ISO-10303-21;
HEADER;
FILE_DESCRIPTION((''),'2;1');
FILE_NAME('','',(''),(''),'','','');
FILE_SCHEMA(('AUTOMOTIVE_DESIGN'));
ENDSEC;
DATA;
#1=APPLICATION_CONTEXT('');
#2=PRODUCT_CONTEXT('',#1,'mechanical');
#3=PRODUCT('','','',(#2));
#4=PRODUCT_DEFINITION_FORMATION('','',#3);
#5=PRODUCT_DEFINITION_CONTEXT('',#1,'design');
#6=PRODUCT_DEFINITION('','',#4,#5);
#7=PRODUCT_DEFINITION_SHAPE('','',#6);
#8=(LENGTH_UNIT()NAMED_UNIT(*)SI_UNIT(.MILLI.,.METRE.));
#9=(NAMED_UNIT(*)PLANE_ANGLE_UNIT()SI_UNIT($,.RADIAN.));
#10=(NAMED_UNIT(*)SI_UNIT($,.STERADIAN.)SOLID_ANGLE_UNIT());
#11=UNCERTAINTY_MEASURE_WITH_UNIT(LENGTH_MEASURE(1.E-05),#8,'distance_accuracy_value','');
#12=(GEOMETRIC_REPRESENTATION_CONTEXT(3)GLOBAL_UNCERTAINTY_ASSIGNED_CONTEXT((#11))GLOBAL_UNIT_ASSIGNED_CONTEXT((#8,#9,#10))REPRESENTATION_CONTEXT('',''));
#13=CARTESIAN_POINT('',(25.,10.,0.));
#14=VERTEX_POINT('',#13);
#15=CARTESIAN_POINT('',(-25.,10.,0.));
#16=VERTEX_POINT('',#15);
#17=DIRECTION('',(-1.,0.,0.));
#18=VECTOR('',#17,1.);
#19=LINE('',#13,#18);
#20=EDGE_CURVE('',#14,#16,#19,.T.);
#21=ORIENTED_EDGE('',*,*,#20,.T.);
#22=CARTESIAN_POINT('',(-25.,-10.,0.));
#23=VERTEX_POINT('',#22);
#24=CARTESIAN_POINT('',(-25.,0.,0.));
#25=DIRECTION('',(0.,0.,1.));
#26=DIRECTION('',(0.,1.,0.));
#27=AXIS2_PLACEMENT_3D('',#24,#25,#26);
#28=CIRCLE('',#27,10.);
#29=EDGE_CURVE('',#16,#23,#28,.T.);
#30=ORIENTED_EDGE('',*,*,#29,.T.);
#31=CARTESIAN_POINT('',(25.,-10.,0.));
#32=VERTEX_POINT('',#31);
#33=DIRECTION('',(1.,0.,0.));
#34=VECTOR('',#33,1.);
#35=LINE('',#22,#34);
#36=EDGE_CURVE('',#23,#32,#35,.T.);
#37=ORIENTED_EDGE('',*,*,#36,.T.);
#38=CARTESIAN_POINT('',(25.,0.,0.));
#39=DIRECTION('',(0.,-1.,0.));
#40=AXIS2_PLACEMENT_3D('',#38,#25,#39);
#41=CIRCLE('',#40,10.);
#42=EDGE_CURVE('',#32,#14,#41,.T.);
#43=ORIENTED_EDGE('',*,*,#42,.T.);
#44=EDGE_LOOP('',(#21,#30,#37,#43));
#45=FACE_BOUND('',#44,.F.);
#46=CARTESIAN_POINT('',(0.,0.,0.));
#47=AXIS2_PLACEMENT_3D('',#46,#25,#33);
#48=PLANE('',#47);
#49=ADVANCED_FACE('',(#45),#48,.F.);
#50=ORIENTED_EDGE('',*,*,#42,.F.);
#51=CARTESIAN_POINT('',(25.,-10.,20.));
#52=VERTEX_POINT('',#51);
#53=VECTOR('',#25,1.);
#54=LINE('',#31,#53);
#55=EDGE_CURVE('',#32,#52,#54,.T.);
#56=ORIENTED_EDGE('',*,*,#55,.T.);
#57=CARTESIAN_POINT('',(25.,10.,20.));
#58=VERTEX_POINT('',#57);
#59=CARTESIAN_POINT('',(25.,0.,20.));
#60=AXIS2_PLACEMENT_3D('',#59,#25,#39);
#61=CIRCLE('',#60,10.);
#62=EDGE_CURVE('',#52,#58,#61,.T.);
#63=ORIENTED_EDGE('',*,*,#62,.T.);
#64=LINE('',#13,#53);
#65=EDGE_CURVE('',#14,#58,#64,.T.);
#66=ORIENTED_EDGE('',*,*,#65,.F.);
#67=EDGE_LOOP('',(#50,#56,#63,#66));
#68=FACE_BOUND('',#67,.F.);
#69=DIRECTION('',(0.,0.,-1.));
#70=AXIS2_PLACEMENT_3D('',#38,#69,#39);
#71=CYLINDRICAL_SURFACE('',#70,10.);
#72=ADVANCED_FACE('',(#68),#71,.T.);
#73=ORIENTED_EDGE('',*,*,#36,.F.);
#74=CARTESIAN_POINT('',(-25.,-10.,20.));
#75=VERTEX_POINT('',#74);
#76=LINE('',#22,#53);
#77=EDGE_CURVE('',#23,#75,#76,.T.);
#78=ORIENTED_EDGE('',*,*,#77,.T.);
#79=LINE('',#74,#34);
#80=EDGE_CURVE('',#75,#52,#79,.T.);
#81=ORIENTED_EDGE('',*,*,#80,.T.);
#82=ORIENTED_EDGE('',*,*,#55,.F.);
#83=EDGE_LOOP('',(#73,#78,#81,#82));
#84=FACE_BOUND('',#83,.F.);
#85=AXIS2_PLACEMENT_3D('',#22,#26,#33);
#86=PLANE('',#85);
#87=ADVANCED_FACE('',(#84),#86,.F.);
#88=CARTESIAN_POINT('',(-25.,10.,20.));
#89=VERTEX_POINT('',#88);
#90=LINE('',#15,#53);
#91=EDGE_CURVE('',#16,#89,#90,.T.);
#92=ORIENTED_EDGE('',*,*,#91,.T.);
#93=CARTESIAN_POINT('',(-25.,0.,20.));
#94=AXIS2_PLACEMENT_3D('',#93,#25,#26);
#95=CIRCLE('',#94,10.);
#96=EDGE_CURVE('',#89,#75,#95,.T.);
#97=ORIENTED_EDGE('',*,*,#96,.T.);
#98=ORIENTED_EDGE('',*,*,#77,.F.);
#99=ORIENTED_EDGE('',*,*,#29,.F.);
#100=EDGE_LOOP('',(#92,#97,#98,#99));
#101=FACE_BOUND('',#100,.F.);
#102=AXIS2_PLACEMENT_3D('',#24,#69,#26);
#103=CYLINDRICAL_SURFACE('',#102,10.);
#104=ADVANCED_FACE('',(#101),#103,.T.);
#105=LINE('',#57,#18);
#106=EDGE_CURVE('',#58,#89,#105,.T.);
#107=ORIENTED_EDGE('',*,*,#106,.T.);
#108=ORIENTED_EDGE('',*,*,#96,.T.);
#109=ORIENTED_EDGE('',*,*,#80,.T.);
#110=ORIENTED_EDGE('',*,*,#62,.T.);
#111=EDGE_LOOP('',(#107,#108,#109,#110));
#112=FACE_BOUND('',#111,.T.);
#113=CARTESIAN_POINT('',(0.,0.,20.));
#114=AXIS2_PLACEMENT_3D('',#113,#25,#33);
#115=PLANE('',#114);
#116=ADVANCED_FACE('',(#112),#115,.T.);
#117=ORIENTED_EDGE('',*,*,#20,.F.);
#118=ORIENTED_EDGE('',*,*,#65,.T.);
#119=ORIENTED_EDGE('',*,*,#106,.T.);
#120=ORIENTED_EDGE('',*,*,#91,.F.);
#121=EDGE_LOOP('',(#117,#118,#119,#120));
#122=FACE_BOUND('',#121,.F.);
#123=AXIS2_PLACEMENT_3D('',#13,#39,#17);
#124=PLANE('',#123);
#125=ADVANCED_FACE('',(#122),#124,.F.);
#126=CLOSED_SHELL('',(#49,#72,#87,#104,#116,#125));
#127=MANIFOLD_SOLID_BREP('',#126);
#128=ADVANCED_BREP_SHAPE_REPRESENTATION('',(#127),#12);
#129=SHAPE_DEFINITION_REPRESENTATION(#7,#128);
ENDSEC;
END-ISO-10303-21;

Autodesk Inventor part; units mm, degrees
ref_plane "YZ Plane" through (0, 0, 0) normal (1, 0, 0) x (0, 1, 0)
ref_plane "XZ Plane" through (0, 0, 0) normal (0, 1, 0) x (-1, 0, 0)
ref_plane "XY Plane" through (0, 0, 0) normal (0, 0, 1) x (1, 0, 0)
sketch "Sketch1" plane through (0, 0, 0) normal (0, 0, 1) x (1, 0, 0)
  line L0 (-25, 0) -> (25, 0) construction
  line L1 (-25, -10) -> (25, -10)
  line L2 (25, 10) -> (-25, 10)
  arc A0 (-25, 10) -> (-25, -10) centre (-25, 0) ccw
  arc A1 (25, -10) -> (25, 10) centre (25, 0) ccw
  point P0 (0, 0)
  dimension "d0" = 10
  dimension "d1" = 50
extrude "Extrusion1" add sketch "Sketch1" along normal blind 20
